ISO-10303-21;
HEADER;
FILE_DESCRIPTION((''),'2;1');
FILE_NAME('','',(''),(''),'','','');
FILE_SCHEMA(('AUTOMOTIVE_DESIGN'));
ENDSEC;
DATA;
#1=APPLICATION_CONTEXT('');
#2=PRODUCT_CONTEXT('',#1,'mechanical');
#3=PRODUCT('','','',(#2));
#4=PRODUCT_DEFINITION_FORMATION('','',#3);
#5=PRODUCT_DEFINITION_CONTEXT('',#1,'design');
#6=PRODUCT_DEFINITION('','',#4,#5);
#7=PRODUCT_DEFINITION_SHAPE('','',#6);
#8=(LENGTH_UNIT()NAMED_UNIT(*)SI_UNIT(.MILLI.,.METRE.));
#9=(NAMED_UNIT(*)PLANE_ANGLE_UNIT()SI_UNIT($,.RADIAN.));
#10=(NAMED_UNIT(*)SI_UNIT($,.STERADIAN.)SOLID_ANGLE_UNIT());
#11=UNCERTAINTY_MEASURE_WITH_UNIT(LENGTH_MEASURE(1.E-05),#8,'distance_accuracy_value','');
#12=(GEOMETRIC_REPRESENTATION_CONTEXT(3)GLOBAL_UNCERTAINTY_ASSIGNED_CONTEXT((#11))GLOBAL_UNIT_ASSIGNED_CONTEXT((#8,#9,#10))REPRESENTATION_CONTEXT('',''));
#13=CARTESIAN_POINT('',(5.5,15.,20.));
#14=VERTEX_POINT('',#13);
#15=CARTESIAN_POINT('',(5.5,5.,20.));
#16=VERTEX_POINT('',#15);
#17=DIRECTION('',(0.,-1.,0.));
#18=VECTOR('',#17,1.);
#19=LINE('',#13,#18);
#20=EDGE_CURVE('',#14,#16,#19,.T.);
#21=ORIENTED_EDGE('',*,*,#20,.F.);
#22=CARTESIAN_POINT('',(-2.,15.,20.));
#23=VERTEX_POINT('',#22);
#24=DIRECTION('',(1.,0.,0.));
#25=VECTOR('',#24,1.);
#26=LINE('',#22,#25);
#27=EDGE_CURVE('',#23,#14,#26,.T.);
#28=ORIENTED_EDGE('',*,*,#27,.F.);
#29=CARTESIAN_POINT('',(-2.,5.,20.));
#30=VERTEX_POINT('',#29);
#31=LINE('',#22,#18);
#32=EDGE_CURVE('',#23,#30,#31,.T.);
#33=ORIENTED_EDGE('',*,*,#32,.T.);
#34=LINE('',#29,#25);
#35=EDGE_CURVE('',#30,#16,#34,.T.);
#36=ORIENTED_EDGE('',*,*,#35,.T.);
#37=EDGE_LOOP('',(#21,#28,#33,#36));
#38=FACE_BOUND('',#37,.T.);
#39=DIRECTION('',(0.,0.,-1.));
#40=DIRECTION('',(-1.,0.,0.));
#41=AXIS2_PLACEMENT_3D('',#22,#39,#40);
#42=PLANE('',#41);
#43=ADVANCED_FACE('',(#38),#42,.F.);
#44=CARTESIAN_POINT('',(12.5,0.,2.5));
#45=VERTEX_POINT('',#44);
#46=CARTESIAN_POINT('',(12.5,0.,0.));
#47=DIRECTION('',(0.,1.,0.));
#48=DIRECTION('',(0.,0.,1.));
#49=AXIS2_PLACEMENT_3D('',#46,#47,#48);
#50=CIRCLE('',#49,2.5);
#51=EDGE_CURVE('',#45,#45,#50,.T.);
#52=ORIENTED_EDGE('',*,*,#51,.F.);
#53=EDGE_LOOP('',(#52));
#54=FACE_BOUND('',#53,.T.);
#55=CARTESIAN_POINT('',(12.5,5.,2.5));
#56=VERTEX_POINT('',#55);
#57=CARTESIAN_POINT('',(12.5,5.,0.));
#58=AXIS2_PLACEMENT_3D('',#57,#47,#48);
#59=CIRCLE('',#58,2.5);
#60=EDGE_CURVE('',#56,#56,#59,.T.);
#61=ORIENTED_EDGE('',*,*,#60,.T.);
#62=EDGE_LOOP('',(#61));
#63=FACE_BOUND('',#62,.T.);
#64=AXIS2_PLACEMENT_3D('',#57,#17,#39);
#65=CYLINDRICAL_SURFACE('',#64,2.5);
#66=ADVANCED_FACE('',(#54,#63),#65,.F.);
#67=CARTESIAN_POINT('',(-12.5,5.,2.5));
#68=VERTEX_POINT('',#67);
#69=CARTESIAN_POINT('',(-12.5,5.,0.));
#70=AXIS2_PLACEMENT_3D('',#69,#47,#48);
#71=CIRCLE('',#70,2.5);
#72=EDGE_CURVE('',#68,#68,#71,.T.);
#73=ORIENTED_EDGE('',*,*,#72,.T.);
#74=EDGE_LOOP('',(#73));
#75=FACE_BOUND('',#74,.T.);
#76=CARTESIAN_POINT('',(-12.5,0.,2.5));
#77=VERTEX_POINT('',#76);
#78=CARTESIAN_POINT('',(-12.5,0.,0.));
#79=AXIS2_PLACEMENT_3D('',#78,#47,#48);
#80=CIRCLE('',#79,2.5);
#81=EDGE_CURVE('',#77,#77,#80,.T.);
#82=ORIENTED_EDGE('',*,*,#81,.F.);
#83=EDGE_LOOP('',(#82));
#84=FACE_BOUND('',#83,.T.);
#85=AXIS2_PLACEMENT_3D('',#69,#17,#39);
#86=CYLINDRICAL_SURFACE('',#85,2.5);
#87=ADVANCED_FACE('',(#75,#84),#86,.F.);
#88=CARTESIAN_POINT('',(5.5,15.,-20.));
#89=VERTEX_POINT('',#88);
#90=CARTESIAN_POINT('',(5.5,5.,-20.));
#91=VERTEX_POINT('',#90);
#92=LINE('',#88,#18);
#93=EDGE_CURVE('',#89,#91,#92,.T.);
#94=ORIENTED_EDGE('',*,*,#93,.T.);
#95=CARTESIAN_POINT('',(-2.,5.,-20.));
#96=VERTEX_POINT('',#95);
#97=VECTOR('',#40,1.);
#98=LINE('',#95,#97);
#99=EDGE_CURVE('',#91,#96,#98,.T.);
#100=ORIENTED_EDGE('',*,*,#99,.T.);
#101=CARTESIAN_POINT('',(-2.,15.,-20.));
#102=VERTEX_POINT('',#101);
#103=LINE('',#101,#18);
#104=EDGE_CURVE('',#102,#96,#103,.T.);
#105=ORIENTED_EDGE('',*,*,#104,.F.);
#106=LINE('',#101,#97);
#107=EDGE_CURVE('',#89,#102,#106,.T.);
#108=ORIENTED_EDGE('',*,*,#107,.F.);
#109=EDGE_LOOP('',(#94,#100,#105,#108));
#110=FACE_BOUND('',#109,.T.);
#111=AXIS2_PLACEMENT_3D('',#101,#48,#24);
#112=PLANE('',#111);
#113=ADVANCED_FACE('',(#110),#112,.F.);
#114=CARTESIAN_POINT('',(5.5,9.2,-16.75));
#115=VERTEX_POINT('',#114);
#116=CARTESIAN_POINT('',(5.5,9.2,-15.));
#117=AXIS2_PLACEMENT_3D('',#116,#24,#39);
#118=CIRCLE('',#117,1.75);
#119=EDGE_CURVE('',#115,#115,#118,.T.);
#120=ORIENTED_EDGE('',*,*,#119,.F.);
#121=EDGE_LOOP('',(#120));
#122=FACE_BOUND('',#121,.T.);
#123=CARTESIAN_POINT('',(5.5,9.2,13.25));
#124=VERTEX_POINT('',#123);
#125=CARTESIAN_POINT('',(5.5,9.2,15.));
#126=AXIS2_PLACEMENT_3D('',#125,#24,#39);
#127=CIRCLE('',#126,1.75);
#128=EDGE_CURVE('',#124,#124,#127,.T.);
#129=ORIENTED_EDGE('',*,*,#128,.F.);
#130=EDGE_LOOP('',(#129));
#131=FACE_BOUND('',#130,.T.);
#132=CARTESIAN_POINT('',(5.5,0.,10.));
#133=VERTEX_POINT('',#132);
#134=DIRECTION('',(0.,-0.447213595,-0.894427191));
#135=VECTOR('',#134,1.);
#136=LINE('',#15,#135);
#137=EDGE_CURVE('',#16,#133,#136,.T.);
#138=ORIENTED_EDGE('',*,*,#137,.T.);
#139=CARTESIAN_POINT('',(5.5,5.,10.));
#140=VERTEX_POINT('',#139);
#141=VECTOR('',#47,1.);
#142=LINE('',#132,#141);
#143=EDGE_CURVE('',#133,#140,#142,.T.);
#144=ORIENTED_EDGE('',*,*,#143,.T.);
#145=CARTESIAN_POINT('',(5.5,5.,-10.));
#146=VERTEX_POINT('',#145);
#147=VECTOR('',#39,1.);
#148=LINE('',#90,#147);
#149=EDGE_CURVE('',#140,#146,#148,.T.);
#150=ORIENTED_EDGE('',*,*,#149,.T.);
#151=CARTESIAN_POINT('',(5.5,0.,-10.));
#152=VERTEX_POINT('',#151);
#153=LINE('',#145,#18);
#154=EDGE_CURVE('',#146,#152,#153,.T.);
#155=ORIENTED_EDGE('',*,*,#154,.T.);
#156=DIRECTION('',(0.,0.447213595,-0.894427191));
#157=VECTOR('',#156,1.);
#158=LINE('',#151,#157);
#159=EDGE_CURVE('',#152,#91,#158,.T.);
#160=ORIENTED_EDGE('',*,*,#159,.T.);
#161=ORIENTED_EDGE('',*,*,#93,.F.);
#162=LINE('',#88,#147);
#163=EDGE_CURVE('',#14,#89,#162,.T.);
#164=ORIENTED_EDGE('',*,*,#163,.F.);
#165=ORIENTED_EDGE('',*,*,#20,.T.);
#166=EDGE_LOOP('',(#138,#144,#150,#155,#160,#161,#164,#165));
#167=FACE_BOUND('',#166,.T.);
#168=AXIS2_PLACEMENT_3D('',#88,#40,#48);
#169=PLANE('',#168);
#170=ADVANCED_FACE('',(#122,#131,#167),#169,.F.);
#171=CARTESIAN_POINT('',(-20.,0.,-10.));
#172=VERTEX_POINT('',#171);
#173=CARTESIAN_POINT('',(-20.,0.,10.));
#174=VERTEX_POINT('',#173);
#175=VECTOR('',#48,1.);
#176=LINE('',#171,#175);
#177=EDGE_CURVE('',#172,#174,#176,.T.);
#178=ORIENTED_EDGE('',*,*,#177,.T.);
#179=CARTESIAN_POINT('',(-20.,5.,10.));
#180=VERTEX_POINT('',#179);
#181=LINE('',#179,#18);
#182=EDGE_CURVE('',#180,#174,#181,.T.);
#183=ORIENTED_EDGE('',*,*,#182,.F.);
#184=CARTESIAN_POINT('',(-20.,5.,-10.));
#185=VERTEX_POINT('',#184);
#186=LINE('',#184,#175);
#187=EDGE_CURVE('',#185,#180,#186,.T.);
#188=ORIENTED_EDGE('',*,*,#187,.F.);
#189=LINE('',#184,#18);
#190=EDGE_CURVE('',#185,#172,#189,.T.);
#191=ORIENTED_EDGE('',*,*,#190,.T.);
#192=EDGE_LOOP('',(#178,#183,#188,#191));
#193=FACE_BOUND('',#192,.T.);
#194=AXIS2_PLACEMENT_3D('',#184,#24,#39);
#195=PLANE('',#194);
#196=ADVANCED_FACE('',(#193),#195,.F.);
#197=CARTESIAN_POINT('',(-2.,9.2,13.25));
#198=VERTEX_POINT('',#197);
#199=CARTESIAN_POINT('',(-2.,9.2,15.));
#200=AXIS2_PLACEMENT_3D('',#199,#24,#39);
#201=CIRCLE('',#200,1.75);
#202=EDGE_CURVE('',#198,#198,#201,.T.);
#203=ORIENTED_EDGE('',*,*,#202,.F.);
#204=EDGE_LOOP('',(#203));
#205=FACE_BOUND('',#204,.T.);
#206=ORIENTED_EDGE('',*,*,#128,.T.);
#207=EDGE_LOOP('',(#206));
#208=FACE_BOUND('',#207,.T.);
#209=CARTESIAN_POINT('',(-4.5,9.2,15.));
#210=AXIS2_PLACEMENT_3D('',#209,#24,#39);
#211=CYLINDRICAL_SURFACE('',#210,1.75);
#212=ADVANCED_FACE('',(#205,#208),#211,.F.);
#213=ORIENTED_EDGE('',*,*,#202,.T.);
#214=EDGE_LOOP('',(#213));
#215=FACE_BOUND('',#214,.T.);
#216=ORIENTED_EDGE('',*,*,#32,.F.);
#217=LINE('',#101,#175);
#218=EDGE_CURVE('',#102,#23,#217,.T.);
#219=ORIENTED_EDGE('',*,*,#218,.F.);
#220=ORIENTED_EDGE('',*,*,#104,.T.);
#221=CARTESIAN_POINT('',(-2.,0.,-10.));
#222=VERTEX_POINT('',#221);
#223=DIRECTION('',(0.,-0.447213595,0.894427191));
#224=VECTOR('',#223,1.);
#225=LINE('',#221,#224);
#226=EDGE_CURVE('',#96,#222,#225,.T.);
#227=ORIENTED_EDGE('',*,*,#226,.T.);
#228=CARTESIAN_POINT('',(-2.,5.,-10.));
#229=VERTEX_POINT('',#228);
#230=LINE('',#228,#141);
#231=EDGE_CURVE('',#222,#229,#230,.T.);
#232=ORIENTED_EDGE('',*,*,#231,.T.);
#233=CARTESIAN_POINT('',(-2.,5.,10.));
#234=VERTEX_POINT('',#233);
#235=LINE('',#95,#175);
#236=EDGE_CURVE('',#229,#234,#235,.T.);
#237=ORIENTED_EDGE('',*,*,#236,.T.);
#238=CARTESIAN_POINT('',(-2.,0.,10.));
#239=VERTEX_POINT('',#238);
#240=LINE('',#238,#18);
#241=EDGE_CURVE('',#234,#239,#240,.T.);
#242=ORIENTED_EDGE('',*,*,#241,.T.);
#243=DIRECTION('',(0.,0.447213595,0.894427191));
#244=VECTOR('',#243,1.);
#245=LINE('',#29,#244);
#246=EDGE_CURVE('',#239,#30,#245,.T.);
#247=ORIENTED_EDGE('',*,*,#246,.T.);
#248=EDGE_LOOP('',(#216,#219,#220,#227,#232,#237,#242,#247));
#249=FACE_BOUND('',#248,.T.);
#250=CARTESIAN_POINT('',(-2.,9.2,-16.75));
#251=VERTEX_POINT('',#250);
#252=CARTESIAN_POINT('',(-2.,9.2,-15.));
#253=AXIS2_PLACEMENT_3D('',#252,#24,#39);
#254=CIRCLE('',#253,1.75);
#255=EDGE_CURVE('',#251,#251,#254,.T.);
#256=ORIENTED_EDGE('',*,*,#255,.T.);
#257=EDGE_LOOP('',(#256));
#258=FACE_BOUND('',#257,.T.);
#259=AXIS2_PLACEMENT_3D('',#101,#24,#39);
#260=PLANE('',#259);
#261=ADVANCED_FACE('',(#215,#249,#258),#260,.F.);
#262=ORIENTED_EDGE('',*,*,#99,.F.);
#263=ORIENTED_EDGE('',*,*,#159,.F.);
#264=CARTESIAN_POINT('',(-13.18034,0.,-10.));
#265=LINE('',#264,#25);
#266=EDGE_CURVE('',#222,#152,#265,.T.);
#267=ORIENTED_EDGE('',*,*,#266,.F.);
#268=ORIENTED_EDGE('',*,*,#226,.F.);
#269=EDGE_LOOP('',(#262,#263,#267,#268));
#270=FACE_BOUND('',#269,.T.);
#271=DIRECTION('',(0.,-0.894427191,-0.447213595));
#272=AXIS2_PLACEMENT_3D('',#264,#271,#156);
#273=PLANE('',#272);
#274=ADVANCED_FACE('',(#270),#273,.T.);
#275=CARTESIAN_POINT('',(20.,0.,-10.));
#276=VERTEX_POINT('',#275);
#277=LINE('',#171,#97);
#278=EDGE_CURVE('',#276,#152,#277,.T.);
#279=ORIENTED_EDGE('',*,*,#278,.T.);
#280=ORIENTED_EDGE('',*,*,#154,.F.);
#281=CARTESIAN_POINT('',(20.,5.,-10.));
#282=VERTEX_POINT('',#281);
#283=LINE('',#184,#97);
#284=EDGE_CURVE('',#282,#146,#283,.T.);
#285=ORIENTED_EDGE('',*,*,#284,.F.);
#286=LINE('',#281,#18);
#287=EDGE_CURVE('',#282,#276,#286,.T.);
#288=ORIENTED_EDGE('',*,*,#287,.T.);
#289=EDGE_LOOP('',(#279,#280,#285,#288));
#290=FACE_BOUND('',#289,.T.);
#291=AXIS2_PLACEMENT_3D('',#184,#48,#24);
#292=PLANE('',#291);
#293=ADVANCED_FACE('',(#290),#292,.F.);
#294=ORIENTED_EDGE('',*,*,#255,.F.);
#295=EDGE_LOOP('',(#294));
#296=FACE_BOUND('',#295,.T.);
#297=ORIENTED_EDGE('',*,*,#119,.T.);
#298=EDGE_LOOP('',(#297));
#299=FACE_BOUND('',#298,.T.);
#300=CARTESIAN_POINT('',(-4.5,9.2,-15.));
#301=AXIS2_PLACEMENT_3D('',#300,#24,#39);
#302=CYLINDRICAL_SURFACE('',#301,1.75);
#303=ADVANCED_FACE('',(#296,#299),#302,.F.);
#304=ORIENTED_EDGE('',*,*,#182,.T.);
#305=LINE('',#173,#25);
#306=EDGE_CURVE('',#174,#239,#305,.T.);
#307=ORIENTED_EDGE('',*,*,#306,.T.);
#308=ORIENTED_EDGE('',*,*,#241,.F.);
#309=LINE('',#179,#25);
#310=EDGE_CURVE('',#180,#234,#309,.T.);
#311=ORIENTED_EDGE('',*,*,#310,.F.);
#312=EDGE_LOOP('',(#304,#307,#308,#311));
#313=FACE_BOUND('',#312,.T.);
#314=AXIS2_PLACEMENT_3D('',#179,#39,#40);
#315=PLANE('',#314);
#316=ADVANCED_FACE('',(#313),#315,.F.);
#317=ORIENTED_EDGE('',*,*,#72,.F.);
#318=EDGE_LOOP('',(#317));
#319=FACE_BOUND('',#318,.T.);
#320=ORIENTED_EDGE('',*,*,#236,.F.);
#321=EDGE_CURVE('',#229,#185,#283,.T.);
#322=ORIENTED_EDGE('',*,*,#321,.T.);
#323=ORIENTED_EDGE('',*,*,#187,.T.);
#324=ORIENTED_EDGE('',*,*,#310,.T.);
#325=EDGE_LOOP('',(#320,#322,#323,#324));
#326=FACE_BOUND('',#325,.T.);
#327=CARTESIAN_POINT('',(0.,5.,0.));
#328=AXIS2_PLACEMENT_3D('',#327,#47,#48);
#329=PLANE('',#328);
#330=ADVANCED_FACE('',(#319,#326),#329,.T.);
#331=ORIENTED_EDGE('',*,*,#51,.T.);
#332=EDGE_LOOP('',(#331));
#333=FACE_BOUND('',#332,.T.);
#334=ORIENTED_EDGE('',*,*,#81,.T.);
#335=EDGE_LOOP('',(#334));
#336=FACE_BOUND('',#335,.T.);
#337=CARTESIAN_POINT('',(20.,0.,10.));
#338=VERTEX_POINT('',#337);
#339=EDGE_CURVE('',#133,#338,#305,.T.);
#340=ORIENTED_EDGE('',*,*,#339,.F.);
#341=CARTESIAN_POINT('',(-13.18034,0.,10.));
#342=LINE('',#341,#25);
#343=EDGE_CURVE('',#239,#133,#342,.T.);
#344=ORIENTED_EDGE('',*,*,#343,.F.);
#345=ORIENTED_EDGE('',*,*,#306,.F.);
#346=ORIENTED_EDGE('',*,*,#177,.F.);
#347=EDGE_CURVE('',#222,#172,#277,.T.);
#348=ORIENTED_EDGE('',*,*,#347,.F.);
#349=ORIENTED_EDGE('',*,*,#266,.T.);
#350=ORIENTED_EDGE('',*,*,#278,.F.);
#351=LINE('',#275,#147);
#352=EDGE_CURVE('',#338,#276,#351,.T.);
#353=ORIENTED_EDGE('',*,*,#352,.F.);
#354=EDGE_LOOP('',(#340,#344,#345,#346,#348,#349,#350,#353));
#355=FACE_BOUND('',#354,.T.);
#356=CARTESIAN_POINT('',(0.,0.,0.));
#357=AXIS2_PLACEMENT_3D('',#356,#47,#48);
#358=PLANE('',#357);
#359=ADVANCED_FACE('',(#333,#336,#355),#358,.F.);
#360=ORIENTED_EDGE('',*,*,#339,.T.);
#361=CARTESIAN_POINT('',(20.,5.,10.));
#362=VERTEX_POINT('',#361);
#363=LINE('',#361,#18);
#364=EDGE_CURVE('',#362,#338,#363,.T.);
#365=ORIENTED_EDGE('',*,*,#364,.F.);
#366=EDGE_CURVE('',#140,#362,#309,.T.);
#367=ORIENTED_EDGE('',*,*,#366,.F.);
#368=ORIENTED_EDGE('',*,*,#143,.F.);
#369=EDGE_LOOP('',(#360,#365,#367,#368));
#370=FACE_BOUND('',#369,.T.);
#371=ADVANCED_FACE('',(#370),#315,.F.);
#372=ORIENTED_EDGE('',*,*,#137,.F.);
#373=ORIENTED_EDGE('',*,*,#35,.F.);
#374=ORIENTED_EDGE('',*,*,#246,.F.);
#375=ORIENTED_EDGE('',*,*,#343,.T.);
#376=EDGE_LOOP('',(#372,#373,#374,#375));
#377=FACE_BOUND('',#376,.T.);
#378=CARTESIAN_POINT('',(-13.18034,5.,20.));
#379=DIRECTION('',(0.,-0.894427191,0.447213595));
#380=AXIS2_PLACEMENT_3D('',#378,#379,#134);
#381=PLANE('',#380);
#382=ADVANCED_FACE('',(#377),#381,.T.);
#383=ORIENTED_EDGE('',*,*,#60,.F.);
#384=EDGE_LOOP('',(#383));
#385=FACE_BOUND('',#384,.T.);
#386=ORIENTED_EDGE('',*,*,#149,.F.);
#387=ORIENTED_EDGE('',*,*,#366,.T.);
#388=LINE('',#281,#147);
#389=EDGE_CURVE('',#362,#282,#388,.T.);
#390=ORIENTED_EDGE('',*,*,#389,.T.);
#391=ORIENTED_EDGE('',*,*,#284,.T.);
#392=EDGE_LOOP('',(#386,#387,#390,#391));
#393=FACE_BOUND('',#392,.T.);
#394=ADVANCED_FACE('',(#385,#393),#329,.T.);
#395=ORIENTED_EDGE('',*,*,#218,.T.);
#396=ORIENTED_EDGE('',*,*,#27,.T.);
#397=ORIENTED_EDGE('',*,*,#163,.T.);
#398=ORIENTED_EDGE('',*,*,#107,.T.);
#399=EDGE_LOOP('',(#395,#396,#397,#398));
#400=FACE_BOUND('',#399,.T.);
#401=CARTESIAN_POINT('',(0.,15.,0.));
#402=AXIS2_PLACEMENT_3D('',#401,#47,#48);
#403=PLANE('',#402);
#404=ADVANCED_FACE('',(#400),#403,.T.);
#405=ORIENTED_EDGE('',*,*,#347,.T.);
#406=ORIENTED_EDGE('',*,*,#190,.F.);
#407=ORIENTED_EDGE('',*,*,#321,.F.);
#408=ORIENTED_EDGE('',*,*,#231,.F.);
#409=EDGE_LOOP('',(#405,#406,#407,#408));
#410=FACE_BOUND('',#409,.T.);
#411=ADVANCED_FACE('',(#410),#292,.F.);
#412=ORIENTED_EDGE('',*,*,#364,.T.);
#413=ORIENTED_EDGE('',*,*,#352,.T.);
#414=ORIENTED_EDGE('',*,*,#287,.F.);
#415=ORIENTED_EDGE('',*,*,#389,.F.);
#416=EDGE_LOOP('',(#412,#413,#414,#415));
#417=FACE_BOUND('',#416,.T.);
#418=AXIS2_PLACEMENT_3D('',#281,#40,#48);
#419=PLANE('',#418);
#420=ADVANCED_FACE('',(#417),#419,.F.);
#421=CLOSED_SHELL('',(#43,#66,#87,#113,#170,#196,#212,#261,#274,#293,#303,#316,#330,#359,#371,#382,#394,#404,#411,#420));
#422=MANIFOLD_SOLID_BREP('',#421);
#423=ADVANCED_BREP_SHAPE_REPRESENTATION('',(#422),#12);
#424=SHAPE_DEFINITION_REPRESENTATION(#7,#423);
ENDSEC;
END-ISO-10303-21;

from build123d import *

# Parameters (mm, degrees)
SKETCH_1_W          = 40
SKETCH_1_H          = 20
SKETCH_1_R          = 2.5
EXTRUDE_1_DEPTH     = 5
SKETCH_2_W          = 7.5
SKETCH_2_H          = 40
EXTRUDE_2_DEPTH     = 10
SKETCH_3_R          = 1.75
CUT_EXTRUDE_1_DEPTH = 10
EXTRUDE_3_DEPTH     = 7.5


with BuildPart() as part:
    # 草图1 → 凸台-拉伸1 (new body)
    with BuildSketch(Plane(origin=(0, 0, 0), x_dir=(1, 0, 0), z_dir=(0, 1, 0))):
        Rectangle(SKETCH_1_W, SKETCH_1_H)
        with Locations(Location((-12.5, 0, 0), (0, 0, 270))):
            Circle(SKETCH_1_R, mode=Mode.SUBTRACT)
        with Locations(Location((12.5, 0, 0), (0, 0, 270))):
            Circle(SKETCH_1_R, mode=Mode.SUBTRACT)
    extrude(amount=EXTRUDE_1_DEPTH)

    # 草图2 → 凸台-拉伸2 (add)
    with BuildSketch(Plane(origin=(0, 5, 0), x_dir=(1, 0, 0), z_dir=(0, 1, 0))):
        with Locations((1.75, 0)):
            Rectangle(SKETCH_2_W, SKETCH_2_H)
    extrude(amount=EXTRUDE_2_DEPTH)

    # 草图3 → 切除-拉伸1 (cut)
    with BuildSketch(Plane(origin=(5.5, 0, 0), x_dir=(0, 0, -1), z_dir=(1, 0, 0))):
        with Locations((-15, 9.2)):
            Circle(SKETCH_3_R)
        with Locations((15, 9.2)):
            Circle(SKETCH_3_R)
    extrude(amount=-CUT_EXTRUDE_1_DEPTH, mode=Mode.SUBTRACT)

    # 草图4 → 凸台-拉伸3 (add)
    with BuildSketch(Plane(origin=(5.5, 0, 0), x_dir=(0, 0, -1), z_dir=(1, 0, 0))):
        Polygon((-20, 5), (-10, 0), (-10, 5), align=None)
        Polygon((10, 5), (10, 0), (20, 5), align=None)
    extrude(amount=-EXTRUDE_3_DEPTH)


solid = part.part
